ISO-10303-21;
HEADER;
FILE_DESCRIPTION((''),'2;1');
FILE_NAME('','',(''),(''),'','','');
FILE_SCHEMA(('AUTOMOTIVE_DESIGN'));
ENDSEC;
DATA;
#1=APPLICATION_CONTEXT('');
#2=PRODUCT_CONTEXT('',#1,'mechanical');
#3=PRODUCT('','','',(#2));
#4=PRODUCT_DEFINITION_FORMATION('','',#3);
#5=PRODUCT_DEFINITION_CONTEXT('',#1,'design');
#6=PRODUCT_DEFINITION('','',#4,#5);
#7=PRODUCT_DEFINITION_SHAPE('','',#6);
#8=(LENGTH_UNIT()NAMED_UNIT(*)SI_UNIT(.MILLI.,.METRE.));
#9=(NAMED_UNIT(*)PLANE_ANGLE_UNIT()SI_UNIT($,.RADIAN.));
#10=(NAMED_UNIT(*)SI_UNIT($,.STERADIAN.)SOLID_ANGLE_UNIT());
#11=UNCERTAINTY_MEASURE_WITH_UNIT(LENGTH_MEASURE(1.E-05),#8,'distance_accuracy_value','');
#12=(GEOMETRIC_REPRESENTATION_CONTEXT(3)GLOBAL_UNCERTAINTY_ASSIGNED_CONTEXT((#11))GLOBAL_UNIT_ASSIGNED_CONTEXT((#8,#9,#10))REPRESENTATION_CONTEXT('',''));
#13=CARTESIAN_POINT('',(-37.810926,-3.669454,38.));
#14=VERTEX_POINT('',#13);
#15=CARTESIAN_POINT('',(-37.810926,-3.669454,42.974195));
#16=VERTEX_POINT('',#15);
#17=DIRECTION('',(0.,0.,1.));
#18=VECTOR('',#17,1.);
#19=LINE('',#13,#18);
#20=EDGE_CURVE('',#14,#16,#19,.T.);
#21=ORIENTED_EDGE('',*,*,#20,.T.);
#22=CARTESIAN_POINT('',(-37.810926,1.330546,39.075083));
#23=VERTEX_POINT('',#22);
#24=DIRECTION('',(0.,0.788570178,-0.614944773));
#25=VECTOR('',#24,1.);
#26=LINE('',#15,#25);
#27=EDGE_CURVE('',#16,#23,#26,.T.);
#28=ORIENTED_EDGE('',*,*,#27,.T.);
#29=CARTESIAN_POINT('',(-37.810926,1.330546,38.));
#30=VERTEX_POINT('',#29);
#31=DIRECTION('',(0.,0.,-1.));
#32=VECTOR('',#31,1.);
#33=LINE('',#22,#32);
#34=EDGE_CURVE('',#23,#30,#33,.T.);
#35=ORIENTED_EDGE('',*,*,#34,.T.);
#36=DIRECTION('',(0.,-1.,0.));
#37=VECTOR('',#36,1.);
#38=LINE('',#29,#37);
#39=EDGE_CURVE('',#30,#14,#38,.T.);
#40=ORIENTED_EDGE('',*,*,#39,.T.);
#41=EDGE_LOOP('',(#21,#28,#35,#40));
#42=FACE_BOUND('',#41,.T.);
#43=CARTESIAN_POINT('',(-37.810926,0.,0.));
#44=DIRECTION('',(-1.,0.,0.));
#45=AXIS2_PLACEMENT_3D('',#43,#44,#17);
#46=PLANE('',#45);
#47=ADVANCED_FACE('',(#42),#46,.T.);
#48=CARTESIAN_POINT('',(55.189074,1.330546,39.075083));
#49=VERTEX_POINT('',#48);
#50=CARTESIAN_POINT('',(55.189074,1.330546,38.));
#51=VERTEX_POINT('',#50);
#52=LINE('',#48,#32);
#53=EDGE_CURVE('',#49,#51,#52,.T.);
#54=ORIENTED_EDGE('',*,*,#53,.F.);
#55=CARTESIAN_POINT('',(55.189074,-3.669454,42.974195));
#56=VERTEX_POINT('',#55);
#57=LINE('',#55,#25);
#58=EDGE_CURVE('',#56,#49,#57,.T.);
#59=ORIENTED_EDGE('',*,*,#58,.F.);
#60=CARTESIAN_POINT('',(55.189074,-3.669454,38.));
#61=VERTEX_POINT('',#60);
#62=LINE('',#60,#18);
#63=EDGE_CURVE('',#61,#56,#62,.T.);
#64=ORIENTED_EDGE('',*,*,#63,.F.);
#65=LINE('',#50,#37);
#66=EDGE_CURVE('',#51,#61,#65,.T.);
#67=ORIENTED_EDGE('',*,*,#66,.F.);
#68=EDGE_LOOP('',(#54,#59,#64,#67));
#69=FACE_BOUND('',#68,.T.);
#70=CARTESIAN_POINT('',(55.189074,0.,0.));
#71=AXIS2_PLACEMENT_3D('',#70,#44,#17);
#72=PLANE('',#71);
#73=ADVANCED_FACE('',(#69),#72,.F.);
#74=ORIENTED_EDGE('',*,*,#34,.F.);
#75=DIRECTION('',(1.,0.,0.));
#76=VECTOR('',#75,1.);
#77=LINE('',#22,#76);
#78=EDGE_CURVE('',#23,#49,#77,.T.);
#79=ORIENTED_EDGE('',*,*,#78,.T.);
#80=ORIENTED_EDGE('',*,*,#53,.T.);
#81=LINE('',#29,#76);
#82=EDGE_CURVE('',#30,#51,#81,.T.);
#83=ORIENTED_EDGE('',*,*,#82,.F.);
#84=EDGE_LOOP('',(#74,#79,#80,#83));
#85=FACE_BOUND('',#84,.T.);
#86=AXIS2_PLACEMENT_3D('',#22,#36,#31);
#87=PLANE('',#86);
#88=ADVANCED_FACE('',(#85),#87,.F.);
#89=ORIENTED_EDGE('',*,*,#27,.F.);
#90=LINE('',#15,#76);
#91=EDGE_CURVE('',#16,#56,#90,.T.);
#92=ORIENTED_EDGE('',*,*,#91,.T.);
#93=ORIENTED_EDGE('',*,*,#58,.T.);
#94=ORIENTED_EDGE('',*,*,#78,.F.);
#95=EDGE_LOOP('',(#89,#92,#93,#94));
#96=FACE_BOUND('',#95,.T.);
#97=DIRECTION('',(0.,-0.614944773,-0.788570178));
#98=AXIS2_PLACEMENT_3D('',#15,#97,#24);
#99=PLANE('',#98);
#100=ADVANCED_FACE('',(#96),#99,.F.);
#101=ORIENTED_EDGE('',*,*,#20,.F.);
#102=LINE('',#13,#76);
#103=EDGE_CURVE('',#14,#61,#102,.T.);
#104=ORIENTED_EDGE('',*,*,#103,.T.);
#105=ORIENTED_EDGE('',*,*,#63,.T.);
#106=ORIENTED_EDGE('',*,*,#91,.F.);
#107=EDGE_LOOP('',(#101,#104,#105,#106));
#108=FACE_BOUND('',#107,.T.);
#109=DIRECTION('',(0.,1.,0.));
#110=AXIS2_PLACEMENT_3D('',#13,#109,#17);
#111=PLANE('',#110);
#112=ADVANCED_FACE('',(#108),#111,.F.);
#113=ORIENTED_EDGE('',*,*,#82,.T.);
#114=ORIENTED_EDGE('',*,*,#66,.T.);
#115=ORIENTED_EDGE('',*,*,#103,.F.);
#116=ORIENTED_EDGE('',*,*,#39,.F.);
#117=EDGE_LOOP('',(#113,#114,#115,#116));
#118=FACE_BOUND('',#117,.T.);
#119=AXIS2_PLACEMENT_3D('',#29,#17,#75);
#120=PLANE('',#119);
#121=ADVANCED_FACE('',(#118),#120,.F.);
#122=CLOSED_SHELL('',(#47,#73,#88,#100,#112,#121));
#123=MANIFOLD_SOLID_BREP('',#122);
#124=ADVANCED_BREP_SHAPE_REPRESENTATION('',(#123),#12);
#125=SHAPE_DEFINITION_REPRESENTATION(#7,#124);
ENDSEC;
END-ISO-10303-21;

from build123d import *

# Parameters (mm, degrees)
RESSALTO_EXTRUS_O15_DEPTH = 93


with BuildPart() as part:
    # Esboço59 → Ressalto-extrusão15 (new body)
    with BuildSketch(Plane.ZY.offset(-55.189074272)):
        Polygon((38, 1.330545809), (38, -3.669454191), (42.974195121, -3.669454191), (39.075082585, 1.330545809), align=None)
    extrude(amount=RESSALTO_EXTRUS_O15_DEPTH)


solid = part.part
